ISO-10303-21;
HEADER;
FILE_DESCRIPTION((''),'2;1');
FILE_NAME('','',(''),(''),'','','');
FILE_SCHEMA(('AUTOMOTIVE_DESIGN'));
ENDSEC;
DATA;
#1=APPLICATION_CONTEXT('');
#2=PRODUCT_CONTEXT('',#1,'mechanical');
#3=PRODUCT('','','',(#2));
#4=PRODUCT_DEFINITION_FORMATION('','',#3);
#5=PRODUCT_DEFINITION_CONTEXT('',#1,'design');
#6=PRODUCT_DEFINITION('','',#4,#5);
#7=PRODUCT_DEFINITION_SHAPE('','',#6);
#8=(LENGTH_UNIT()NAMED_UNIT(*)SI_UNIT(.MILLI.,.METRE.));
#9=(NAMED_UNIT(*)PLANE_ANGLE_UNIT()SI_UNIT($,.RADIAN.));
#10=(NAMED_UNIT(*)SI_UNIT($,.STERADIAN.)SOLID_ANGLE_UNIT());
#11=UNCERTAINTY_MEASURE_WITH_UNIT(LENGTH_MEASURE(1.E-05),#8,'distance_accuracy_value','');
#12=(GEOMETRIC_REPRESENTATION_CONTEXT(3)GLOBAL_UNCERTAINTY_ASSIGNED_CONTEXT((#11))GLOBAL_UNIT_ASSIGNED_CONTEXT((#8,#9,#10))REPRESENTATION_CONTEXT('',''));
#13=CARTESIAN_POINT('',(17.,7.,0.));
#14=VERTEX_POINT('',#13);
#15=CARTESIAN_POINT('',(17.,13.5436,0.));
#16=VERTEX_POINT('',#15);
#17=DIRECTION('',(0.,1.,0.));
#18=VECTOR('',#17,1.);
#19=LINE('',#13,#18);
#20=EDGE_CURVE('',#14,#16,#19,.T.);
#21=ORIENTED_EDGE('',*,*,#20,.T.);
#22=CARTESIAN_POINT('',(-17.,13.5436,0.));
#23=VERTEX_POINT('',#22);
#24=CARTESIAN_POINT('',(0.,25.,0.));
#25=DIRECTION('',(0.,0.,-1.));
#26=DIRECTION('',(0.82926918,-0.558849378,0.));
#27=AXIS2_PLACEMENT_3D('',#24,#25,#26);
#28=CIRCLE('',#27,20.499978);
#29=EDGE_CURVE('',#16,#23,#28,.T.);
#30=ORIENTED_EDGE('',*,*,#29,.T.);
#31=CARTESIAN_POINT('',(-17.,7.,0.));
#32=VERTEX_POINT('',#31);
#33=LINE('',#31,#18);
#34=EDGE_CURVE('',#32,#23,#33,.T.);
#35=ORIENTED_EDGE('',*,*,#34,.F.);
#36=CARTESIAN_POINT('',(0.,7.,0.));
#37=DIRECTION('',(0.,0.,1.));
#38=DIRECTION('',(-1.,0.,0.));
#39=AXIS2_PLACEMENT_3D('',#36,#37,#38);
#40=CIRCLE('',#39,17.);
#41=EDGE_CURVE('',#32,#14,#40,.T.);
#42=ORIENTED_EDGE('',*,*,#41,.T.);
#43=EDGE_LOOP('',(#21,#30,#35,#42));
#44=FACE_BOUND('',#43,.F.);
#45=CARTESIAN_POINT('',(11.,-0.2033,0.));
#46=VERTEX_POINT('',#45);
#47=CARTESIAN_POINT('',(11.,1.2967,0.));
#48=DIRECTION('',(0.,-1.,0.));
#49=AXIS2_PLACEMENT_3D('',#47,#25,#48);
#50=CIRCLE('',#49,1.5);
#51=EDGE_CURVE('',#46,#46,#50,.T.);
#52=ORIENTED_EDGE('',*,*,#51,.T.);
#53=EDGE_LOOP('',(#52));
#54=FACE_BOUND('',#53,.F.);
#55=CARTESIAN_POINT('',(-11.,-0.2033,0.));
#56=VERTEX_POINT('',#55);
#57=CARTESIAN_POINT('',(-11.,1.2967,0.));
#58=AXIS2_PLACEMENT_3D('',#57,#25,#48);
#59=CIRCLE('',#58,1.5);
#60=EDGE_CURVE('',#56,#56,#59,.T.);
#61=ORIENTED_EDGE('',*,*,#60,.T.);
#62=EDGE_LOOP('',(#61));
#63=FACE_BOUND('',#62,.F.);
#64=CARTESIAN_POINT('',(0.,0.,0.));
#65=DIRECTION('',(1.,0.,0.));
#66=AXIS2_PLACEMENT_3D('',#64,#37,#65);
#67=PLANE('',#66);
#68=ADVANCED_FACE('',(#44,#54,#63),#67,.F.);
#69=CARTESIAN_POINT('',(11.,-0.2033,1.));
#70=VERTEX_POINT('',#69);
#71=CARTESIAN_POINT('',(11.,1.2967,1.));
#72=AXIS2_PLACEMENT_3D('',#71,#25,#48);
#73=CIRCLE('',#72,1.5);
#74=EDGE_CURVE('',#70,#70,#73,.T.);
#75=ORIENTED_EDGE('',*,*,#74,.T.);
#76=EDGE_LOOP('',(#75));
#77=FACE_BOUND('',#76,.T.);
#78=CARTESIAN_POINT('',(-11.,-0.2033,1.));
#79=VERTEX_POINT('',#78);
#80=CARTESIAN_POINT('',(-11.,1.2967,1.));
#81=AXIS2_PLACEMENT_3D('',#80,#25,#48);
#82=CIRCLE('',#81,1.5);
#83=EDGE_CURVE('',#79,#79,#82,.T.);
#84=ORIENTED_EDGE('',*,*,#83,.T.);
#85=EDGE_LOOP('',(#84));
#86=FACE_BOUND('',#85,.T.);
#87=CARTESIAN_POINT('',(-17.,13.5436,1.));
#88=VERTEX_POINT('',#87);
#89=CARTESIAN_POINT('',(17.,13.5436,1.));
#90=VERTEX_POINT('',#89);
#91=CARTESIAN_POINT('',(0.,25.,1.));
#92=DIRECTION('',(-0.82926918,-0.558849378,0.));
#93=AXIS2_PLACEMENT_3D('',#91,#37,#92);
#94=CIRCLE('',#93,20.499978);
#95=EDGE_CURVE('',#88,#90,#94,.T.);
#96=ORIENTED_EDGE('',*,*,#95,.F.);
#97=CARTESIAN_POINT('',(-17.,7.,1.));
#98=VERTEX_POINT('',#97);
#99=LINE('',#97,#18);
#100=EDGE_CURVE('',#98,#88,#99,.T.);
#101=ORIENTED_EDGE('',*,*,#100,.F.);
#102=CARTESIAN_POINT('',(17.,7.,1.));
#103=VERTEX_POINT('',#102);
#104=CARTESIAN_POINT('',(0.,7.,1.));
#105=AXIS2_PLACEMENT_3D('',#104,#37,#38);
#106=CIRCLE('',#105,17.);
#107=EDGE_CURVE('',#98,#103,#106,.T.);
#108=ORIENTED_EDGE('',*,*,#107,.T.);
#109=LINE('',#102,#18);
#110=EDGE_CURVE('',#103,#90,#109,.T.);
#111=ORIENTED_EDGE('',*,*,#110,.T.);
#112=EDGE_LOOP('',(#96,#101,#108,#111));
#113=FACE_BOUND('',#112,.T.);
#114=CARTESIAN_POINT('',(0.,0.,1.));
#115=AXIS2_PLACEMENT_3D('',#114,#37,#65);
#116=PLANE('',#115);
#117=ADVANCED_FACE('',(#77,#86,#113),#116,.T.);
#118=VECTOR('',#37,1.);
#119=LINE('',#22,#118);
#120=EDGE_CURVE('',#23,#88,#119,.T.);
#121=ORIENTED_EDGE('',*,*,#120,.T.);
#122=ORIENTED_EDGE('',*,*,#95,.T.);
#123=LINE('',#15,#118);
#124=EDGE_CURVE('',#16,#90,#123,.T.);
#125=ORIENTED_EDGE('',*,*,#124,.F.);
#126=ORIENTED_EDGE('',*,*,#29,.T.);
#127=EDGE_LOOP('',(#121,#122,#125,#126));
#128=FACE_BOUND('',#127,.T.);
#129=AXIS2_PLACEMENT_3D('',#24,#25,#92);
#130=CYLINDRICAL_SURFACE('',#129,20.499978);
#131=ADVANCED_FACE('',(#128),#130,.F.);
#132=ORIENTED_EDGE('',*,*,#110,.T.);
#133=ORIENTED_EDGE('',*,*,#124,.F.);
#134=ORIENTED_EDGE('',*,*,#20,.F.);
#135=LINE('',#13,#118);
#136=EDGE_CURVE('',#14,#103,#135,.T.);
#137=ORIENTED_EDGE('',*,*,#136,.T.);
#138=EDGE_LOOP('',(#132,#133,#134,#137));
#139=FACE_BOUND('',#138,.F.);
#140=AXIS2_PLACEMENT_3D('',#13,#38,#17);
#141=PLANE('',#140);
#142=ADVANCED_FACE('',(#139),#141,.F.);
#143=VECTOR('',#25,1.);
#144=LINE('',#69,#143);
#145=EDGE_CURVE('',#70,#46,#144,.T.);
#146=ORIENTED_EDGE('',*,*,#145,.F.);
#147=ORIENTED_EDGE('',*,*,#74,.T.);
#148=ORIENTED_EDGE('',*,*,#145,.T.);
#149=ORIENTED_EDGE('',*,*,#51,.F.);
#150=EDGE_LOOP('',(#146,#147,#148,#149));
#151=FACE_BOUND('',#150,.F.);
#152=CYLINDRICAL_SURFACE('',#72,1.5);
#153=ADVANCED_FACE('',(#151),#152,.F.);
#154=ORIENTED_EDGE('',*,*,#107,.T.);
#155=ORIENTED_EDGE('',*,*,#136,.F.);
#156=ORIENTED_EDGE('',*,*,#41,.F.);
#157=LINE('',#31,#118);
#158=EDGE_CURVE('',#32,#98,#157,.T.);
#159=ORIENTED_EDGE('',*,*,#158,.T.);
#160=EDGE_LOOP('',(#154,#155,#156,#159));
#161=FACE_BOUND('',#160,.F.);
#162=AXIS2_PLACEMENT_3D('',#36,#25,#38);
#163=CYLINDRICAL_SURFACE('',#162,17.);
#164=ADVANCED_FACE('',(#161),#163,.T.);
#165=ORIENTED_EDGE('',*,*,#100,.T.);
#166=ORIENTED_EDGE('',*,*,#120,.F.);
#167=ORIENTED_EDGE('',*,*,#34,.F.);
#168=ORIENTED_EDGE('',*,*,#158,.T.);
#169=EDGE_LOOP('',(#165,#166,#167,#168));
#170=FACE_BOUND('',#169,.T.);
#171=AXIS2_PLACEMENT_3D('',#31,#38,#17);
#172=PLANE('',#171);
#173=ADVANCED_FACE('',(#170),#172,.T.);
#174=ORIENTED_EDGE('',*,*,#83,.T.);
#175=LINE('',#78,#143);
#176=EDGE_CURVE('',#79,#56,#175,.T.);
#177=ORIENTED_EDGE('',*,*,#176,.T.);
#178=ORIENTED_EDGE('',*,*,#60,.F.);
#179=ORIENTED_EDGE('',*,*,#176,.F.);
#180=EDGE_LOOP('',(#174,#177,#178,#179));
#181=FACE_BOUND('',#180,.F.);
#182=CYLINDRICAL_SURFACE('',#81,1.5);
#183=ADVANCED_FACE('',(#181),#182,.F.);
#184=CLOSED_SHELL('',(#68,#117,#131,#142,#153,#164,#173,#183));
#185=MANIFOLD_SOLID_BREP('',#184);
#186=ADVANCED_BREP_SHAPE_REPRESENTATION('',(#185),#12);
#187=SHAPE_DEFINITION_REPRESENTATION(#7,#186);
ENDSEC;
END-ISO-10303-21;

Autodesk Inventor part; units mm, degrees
ref_plane "YZ Plane" through (0, 0, 0) normal (1, 0, 0) x (0, 1, 0)
ref_plane "XZ Plane" through (0, 0, 0) normal (0, 1, 0) x (-1, 0, 0)
ref_plane "XY Plane" through (0, 0, 0) normal (0, 0, 1) x (1, 0, 0)
sketch "Skizze1" plane through (0, 0, 0) normal (0, 0, 1) x (1, 0, 0)
  circle A0 centre (0, 25) radius 18.5 construction
  circle A1 centre (11, 1.2967) radius 1.5 construction
  circle A2 centre (-11, 1.2967) radius 1.5 construction
  circle A3 centre (0, 0) radius 5.5 construction
  arc A4 (-13.7171, 6) -> (-17.4753, 0.6301) centre (-13.7171, 2) ccw construction
  arc A5 (-17.4753, 0.6301) -> (17.4753, 0.6301) centre (0, 7) ccw construction
  arc A6 (17.4753, 0.6301) -> (13.7171, 6) centre (13.7171, 2) ccw construction
  line L0 (-13.7171, 6) -> (13.7171, 6) construction
  arc A7 (-15.4919, -4) -> (15.4919, -4) centre (0, 7) ccw construction
  arc A8 (-13.2288, 2.1205) -> (13.2288, 2.1205) centre (0, 7) ccw construction
  line L1 (-13.2288, 2.1205) -> (-13.2288, 18) construction
  line L2 (13.2288, 18) -> (-13.2288, 18) construction
  arc A9 (-19, 7) -> (-9.4721, -9.4705) centre (0, 7) ccw construction
  line L3 (-9.4721, -9.4705) -> (-9.4721, -18.6052) construction
  spline S0 degree 3 poles (-9.4721, -18.6052) (-10.8029, -18.1851) (-12.1032, -17.6649) (-16.3725, -15.5421) (-18.9977, -13.5189) (-21.2475, -11.0387) knots -1.506344 -1.506344 -1.506344 -1.506344 -1.083379 -1.083379 -0.074726 -0.074726 -0.074726 -0.074726 construction
  spline S1 degree 3 poles (-21.2475, -11.0387) (-21.4119, -10.8574) (-21.5695, -10.6702) (-21.8699, -10.2854) (-22.0126, -10.0879) (-22.148, -9.8855) knots -0.146464 -0.146464 -0.146464 -0.146464 -0.073068 -0.073068 0 0 0 0 construction
  spline S2 degree 3 poles (-22.148, -9.8855) (-24.4473, -6.4457) (-26.1085, -2.5959) (-28.9023, 6.7167) (-29.697, 12.4269) (-30, 18) knots -2.91726 -2.91726 -2.91726 -2.91726 -1.674385 -1.674385 0 0 0 0 construction
  line L4 (-30, 18) -> (-19, 18) construction
  line L5 (-19, 18) -> (-19, 7) construction
  line L6 (19, 18) -> (30, 18) construction
  spline S3 degree 3 poles (30, 18) (29.697, 12.4269) (28.9023, 6.7167) (26.1085, -2.5959) (24.4473, -6.4457) (22.148, -9.8855) knots -2.986913 -2.986913 -2.986913 -2.986913 -1.313902 -1.313902 -0.072047 -0.072047 -0.072047 -0.072047 construction
  spline S4 degree 3 poles (22.148, -9.8855) (22.0126, -10.0879) (21.8699, -10.2854) (21.5695, -10.6702) (21.4119, -10.8574) (21.2475, -11.0387) knots -0.146464 -0.146464 -0.146464 -0.146464 -0.073396 -0.073396 0 0 0 0 construction
  spline S5 degree 3 poles (21.2475, -11.0387) (19.6253, -12.8271) (17.7977, -14.3889) (13.7909, -16.9377) (11.6878, -17.9058) (9.4721, -18.6052) knots -3.300626 -3.300626 -3.300626 -3.300626 -3.030289 -3.030289 -2.770214 -2.770214 -2.770214 -2.770214 construction
  line L7 (9.4721, -18.6052) -> (9.4721, -9.4705) construction
  arc A10 (9.4721, -9.4705) -> (19, 7) centre (0, 7) ccw construction
  line L8 (19, 7) -> (19, 18) construction
  spline S6 degree 3 poles (21.2475, 47.0387) (21.4119, 46.8574) (21.5695, 46.6702) (21.8699, 46.2854) (22.0126, 46.0879) (22.148, 45.8855) knots -0.146464 -0.146464 -0.146464 -0.146464 -0.073068 -0.073068 0 0 0 0 construction
  spline S7 degree 3 poles (22.148, 45.8855) (24.4473, 42.4457) (26.1085, 38.5959) (28.9023, 29.2833) (29.697, 23.5731) (30, 18) knots -2.91726 -2.91726 -2.91726 -2.91726 -1.674385 -1.674385 0 0 0 0 construction
  line L9 (30, 18) -> (19, 18) construction
  line L10 (19, 18) -> (19, 29) construction
  arc A11 (19, 29) -> (9.4721, 45.4705) centre (0, 29) ccw construction
  line L11 (9.4721, 45.4705) -> (9.4721, 54.6052) construction
  spline S8 degree 3 poles (9.4721, 54.6052) (10.8029, 54.1851) (12.1032, 53.6649) (16.3725, 51.5421) (18.9977, 49.5189) (21.2475, 47.0387) knots -1.506344 -1.506344 -1.506344 -1.506344 -1.083379 -1.083379 -0.074726 -0.074726 -0.074726 -0.074726 construction
  spline S9 degree 3 poles (-22.148, 45.8855) (-22.0126, 46.0879) (-21.8699, 46.2854) (-21.5695, 46.6702) (-21.4119, 46.8574) (-21.2475, 47.0387) knots -0.146464 -0.146464 -0.146464 -0.146464 -0.073396 -0.073396 0 0 0 0 construction
  spline S10 degree 3 poles (-21.2475, 47.0387) (-19.6253, 48.8271) (-17.7977, 50.3889) (-13.7909, 52.9377) (-11.6878, 53.9058) (-9.4721, 54.6052) knots -3.300626 -3.300626 -3.300626 -3.300626 -3.030289 -3.030289 -2.770214 -2.770214 -2.770214 -2.770214 construction
  line L12 (-9.4721, 54.6052) -> (-9.4721, 45.4705) construction
  arc A12 (-9.4721, 45.4705) -> (-19, 29) centre (0, 29) ccw construction
  line L13 (-19, 29) -> (-19, 18) construction
  line L14 (-19, 18) -> (-30, 18) construction
  spline S11 degree 3 poles (-30, 18) (-29.697, 23.5731) (-28.9023, 29.2833) (-26.1085, 38.5959) (-24.4473, 42.4457) (-22.148, 45.8855) knots -2.986913 -2.986913 -2.986913 -2.986913 -1.313902 -1.313902 -0.072047 -0.072047 -0.072047 -0.072047 construction
  arc A13 (-17, 7) -> (17, 7) centre (0, 7) ccw
  arc A14 (-17, 13.5436) -> (17, 13.5436) centre (0, 25) ccw
  line L15 (17, 7) -> (17, 13.5436)
  line L16 (-17, 7) -> (-17, 13.5436)
  line L17 (0, 29) -> (0, 0) construction
  arc A15 (-13.8612, -2.8421) -> (13.8612, -2.8421) centre (0, 7) ccw construction
  circle A16 centre (0, 25) radius 20.5 construction
  line L18 (13.2288, 2.1205) -> (13.2288, 18) projected
  point P0 (0, 0)
  dimension "d2" = 2
  dimension "d3" = 2
extrude "Extrusion1" add sketch "Skizze1" along normal blind 1
sketch "Skizze2" plane through (0, 0, 1) normal (0, 0, 1) x (1, 0, 0)
  arc A0 (-17, 7) -> (17, 7) centre (0, 7) ccw projected
  line L0 (17, 7) -> (17, 13.5436) projected
  arc A1 (-17, 13.5436) -> (17, 13.5436) centre (0, 25) ccw projected
  line L1 (-17, 13.5436) -> (-17, 7) projected
  line L2 (17, 13.5436) -> (-17, 13.5436) construction
  line L3 (-17, 13.5436) -> (-17, -10) construction
  line L4 (-17, -10) -> (17, -10) construction
  line L5 (17, -10) -> (17, 13.5436) construction
  circle A2 centre (0, 25) radius 20.5 construction
  line L6 (-17, 13.5436) -> (17, 36.4564) construction
  line L7 (17, 13.5436) -> (17, 36.4564) construction
  point P0 (0, 0)
  point P1 (11, 1.2967)
  point P2 (0, 0)
  point P3 (-11, 1.2967)
  dimension "d6" = 6
  dimension "d7" = 17
  dimension "d8" = 28
  dimension "d9" = 12.2469
  dimension "d10" = 13.5436
  dimension "d11" = 23.5436
  dimension "d12" = 34
  dimension "d13" = 9.0436
  dimension "d14" = 6.5436
  dimension "d15" = 11.4564
  dimension "d16" = 20.5
  dimension "d17" = 17
  dimension "d18" = 22.9129
hole "Bohrung1" at (11, 1.2967, 1) at (-11, 1.2967, 1) direction (0, 0, -1) diameter 3 end through all
properties part number "minimalEncoder"
